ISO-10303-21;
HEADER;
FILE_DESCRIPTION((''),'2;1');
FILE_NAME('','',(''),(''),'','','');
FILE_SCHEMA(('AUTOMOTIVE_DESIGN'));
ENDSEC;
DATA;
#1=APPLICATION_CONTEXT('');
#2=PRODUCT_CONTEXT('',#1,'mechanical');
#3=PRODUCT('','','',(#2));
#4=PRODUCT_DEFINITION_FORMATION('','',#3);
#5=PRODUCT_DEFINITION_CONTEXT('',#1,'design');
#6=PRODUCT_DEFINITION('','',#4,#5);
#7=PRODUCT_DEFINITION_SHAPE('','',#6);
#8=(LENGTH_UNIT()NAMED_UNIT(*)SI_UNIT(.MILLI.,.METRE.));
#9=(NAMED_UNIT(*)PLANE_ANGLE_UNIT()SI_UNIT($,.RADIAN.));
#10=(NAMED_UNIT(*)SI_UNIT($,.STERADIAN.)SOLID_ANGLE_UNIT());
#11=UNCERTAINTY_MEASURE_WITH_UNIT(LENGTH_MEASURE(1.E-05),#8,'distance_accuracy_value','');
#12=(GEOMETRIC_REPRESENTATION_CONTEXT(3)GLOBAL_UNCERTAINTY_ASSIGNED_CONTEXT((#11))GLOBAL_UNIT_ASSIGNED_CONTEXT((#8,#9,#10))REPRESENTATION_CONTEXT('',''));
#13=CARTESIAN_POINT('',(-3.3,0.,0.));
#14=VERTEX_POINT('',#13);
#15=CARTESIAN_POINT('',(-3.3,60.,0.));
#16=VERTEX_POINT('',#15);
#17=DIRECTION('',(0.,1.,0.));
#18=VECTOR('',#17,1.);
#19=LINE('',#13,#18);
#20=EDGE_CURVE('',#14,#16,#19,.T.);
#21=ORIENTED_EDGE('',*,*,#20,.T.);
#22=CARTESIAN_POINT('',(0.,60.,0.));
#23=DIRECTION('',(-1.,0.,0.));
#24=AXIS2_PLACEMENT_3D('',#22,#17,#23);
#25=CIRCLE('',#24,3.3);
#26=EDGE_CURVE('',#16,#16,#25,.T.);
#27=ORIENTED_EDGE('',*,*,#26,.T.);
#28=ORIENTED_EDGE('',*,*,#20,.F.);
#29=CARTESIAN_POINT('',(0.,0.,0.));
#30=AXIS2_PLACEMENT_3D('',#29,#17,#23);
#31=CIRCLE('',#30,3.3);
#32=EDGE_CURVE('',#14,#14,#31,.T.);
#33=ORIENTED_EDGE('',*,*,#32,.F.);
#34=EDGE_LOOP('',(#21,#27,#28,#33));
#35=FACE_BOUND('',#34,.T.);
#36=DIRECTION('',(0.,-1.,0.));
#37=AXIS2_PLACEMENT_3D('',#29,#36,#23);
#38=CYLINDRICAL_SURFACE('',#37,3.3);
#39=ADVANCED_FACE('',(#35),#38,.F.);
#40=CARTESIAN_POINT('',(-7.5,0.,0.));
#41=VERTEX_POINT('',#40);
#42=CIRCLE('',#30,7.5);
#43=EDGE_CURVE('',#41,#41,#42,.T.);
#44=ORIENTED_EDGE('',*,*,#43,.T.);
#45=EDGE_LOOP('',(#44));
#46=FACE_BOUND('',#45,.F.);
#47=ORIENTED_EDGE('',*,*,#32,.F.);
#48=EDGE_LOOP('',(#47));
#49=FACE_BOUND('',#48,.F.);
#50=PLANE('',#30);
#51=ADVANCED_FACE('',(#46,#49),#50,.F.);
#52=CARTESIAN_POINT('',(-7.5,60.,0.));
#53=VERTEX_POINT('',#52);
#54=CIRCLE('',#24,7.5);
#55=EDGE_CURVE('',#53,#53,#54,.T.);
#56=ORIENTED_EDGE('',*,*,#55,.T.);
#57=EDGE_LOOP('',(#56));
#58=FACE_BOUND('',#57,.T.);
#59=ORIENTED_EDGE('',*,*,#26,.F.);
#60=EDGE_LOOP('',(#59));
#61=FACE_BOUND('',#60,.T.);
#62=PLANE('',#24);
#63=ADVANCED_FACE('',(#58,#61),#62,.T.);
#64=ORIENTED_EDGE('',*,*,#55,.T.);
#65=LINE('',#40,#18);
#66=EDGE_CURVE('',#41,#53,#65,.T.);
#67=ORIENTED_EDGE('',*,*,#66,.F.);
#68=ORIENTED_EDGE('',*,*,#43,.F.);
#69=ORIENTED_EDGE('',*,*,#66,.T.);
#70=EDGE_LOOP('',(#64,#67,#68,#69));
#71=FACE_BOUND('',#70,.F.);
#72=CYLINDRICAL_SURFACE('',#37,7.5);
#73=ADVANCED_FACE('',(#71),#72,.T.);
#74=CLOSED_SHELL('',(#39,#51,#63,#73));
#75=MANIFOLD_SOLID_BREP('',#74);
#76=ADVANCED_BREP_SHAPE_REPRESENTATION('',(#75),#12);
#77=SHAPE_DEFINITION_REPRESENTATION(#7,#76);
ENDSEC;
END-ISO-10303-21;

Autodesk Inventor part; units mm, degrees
ref_plane "YZ Plane" through (0, 0, 0) normal (1, 0, 0) x (0, 1, 0)
ref_plane "XZ Plane" through (0, 0, 0) normal (0, 1, 0) x (-1, 0, 0)
ref_plane "XY Plane" through (0, 0, 0) normal (0, 0, 1) x (1, 0, 0)
sketch "スケッチ1" plane through (0, 0, 0) normal (0, 1, 0) x (-1, 0, 0)
  circle A0 centre (0, 0) radius 3.3
  circle A1 centre (0, 0) radius 7.5
  dimension "d0" = 6.6
  dimension "d1" = 15
extrude "押し出し1" add sketch "スケッチ1" along normal blind 60
properties part number "shoulder2_uppper_plate_bolt_spcaer"
